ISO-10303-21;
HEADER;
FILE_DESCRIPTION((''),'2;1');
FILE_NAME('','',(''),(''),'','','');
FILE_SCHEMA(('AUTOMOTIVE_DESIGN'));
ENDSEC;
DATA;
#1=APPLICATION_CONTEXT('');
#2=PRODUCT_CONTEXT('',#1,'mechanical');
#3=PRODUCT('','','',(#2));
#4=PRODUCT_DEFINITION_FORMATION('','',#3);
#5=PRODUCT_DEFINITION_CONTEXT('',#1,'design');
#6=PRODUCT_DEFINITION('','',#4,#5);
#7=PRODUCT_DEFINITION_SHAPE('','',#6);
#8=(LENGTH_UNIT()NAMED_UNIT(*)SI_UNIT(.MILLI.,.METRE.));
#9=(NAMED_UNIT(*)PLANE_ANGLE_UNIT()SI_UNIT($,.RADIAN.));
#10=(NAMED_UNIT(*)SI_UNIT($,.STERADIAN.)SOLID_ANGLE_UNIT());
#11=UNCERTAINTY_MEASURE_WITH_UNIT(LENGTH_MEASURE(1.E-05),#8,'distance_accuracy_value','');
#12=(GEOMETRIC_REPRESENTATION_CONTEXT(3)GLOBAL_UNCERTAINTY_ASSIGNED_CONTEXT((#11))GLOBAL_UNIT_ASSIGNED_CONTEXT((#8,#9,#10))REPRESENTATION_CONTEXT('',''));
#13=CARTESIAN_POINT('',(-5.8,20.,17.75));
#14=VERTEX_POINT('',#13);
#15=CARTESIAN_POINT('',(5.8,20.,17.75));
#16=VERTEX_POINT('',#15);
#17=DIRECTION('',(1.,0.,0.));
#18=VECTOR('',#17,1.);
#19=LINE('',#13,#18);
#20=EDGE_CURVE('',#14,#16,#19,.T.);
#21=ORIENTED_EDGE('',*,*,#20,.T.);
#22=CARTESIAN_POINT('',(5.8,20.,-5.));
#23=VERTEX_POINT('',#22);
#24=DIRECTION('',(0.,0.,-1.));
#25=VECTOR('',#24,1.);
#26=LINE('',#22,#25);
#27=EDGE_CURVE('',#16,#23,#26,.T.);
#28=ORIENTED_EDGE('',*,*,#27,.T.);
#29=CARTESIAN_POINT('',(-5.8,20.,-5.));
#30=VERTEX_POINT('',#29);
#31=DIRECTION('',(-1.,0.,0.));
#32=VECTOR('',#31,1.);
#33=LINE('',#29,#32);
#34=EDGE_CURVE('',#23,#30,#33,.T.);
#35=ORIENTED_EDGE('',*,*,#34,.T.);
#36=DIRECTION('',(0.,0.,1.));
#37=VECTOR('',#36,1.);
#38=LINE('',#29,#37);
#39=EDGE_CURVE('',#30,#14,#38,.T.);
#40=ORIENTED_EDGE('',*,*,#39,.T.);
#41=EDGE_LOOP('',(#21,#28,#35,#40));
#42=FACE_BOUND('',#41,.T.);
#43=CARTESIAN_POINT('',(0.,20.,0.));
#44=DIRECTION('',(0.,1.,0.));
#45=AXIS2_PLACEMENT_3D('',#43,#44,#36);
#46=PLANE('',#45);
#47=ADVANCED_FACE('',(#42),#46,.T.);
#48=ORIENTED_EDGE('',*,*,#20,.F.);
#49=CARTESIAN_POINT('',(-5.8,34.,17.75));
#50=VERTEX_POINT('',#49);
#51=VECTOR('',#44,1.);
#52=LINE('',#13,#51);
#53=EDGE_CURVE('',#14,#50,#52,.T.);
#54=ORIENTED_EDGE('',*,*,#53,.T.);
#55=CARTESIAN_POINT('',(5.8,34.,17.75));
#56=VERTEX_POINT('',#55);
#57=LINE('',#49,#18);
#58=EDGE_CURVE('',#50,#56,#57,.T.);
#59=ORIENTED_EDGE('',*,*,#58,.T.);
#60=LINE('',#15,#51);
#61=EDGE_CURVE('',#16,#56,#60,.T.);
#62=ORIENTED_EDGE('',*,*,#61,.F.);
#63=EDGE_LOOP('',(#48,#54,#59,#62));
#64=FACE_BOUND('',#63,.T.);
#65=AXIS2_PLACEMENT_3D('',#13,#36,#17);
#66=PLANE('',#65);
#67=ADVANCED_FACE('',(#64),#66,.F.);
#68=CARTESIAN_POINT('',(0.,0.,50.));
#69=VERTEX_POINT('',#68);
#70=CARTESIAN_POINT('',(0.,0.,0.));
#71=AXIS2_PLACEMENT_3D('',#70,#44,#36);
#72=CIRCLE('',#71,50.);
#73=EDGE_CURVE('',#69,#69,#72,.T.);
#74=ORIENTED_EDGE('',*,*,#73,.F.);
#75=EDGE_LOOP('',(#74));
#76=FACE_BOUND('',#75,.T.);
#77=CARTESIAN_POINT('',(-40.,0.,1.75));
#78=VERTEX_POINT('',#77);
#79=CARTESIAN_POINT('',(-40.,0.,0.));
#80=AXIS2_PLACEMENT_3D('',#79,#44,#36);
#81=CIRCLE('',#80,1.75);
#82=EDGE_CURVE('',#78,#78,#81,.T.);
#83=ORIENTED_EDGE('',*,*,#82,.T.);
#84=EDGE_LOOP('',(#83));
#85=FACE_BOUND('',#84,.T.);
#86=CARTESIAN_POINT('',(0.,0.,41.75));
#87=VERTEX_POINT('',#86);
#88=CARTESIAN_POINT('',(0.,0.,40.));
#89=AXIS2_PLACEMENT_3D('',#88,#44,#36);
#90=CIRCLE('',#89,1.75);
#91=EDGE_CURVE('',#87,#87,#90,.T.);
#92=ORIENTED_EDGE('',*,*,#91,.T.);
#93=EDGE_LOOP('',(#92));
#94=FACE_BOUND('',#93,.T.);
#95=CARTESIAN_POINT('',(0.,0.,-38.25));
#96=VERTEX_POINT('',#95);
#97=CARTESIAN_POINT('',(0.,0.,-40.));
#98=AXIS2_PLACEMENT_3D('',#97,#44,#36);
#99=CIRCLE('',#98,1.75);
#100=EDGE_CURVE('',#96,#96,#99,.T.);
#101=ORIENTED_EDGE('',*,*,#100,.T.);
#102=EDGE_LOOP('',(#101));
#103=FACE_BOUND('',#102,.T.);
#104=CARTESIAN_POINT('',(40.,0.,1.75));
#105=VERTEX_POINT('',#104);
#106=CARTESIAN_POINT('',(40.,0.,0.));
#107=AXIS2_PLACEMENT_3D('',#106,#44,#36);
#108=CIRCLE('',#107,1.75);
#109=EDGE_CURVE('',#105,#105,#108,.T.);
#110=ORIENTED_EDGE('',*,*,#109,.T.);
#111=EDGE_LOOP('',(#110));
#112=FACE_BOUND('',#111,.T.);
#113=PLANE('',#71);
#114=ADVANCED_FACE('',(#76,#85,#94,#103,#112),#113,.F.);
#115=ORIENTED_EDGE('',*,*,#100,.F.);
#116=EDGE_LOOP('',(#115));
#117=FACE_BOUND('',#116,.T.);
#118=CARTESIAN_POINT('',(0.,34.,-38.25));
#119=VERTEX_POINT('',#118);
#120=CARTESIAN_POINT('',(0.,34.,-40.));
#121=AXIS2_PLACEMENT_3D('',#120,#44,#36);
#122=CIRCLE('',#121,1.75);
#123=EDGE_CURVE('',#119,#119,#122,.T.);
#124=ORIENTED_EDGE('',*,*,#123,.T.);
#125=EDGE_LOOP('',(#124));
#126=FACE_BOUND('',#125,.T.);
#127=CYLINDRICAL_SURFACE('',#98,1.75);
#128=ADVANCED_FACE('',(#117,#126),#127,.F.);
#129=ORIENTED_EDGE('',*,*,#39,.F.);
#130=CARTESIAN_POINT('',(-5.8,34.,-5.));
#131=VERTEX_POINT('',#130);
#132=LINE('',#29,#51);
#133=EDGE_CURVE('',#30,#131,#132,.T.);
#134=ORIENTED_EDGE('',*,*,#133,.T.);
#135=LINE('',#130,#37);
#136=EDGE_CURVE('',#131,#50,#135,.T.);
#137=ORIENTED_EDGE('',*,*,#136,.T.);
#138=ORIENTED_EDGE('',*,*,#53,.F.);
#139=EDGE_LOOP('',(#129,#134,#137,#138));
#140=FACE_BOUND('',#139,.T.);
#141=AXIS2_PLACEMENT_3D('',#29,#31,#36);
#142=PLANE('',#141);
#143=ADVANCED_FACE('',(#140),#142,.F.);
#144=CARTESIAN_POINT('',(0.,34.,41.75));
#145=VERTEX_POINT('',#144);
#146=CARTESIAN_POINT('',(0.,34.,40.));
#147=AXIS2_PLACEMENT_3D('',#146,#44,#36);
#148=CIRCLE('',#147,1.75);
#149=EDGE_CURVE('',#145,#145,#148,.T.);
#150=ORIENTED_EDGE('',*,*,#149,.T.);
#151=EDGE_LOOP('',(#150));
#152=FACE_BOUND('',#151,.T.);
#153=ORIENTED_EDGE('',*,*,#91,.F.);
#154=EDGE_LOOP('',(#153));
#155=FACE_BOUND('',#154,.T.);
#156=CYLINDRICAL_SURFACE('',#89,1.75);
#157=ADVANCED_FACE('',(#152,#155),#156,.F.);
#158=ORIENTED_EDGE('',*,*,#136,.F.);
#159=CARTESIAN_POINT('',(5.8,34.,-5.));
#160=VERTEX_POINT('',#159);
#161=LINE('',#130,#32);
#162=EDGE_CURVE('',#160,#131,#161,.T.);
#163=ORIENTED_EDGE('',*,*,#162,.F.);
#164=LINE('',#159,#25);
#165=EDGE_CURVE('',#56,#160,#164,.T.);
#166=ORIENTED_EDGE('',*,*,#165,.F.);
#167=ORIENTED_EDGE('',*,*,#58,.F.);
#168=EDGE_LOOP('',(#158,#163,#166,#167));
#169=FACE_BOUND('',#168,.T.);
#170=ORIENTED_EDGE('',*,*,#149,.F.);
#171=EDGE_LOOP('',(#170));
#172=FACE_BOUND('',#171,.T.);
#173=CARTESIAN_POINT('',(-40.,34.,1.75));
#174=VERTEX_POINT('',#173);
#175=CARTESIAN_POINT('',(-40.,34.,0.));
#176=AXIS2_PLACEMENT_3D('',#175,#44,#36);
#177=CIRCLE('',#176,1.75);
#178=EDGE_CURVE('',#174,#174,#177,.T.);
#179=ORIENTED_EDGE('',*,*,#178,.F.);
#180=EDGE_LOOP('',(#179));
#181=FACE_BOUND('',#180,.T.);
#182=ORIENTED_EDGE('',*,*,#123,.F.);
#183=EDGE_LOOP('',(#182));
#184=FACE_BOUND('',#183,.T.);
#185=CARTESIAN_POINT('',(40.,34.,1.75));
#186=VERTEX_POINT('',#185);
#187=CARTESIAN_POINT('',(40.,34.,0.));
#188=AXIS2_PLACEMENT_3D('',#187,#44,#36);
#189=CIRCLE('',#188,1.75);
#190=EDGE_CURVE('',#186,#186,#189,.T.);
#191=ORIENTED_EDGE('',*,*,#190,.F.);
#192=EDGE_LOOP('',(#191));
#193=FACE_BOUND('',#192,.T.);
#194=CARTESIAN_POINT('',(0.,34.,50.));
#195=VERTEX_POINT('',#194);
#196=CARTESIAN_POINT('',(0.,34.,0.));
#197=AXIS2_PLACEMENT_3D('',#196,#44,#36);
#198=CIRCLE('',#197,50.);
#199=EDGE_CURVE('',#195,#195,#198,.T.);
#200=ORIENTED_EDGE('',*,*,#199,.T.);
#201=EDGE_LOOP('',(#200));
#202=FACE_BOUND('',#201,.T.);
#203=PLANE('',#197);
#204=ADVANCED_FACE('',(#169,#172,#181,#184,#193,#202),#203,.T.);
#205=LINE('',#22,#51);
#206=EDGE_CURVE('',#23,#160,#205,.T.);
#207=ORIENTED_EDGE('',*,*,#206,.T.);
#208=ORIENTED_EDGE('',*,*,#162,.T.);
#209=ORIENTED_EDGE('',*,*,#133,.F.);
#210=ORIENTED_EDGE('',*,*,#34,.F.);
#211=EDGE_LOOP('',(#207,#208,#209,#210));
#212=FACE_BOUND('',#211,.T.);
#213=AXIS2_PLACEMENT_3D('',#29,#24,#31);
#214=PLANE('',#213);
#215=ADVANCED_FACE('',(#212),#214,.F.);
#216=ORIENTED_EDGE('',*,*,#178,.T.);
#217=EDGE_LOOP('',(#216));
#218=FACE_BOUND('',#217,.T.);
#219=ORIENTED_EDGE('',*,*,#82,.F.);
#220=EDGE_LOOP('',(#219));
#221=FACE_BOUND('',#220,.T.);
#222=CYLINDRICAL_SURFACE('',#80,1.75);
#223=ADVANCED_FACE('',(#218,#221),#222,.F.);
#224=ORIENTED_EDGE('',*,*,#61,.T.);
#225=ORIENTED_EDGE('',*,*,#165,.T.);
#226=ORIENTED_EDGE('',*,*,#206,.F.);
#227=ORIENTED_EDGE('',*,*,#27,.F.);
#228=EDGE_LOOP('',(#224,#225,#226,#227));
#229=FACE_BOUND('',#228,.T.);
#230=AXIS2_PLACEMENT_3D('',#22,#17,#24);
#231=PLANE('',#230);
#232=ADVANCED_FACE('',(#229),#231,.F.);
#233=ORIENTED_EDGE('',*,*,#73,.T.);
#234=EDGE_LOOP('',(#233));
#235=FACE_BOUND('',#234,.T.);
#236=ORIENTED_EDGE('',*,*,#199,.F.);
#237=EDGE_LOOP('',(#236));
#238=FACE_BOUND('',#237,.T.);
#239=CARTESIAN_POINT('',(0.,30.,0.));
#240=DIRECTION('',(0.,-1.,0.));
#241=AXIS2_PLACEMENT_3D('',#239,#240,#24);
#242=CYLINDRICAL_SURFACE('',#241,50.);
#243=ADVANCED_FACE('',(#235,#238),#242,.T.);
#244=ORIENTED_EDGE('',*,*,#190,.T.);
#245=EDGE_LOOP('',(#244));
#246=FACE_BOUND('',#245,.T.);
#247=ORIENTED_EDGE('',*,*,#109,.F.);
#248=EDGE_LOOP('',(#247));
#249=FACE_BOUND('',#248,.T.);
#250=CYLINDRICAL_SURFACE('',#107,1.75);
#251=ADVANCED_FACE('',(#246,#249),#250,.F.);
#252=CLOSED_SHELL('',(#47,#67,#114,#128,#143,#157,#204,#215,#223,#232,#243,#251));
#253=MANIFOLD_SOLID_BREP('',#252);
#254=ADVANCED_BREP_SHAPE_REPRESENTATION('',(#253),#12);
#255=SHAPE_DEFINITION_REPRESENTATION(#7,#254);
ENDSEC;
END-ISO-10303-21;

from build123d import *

# Parameters (mm, degrees)
SKETCH1_R           = 50
BOSS_EXTRUDE1_DEPTH = 30
SKETCH2_R           = 50
BOSS_EXTRUDE2_DEPTH = 4
SKETCH3_W           = 11.6
SKETCH3_H           = 22.75
CUT_EXTRUDE1_DEPTH  = 14
SKETCH5_R           = 1.75
CUT_EXTRUDE3_DEPTH  = 79.460180984


with BuildPart() as part:
    # Sketch1 → Boss-Extrude1 (new body)
    with BuildSketch(Plane(origin=(0, 0, 0), x_dir=(1, 0, 0), z_dir=(0, 1, 0))):
        with Locations(Location((0, 0, 0), (0, 0, 270))):
            Circle(SKETCH1_R)
    extrude(amount=BOSS_EXTRUDE1_DEPTH)

    # Sketch2 → Boss-Extrude2 (add)
    with BuildSketch(Plane(origin=(0, 30, 0), x_dir=(1, 0, 0), z_dir=(0, 1, 0))):
        with Locations(Location((0, 0, 0), (0, 0, 270))):
            Circle(SKETCH2_R)
    extrude(amount=BOSS_EXTRUDE2_DEPTH)

    # Sketch3 → Cut-Extrude1 (cut)
    with BuildSketch(Plane(origin=(0, 34, 0), x_dir=(1, 0, 0), z_dir=(0, 1, 0))):
        with Locations((0, -6.375)):
            Rectangle(SKETCH3_W, SKETCH3_H)
    extrude(amount=-CUT_EXTRUDE1_DEPTH, mode=Mode.SUBTRACT)

    # Sketch5 → Cut-Extrude3 (cut, through all)
    with BuildSketch(Plane(origin=(0, 34, 0), x_dir=(1, 0, 0), z_dir=(0, 1, 0))):
        with Locations(Location((0, 40, 0), (0, 0, 270))):
            Circle(SKETCH5_R)
        with Locations(Location((40, 0, 0), (0, 0, 270))):
            Circle(SKETCH5_R)
        with Locations(Location((0, -40, 0), (0, 0, 270))):
            Circle(SKETCH5_R)
        with Locations(Location((-40, 0, 0), (0, 0, 270))):
            Circle(SKETCH5_R)
    extrude(amount=-CUT_EXTRUDE3_DEPTH, mode=Mode.SUBTRACT)


solid = part.part
